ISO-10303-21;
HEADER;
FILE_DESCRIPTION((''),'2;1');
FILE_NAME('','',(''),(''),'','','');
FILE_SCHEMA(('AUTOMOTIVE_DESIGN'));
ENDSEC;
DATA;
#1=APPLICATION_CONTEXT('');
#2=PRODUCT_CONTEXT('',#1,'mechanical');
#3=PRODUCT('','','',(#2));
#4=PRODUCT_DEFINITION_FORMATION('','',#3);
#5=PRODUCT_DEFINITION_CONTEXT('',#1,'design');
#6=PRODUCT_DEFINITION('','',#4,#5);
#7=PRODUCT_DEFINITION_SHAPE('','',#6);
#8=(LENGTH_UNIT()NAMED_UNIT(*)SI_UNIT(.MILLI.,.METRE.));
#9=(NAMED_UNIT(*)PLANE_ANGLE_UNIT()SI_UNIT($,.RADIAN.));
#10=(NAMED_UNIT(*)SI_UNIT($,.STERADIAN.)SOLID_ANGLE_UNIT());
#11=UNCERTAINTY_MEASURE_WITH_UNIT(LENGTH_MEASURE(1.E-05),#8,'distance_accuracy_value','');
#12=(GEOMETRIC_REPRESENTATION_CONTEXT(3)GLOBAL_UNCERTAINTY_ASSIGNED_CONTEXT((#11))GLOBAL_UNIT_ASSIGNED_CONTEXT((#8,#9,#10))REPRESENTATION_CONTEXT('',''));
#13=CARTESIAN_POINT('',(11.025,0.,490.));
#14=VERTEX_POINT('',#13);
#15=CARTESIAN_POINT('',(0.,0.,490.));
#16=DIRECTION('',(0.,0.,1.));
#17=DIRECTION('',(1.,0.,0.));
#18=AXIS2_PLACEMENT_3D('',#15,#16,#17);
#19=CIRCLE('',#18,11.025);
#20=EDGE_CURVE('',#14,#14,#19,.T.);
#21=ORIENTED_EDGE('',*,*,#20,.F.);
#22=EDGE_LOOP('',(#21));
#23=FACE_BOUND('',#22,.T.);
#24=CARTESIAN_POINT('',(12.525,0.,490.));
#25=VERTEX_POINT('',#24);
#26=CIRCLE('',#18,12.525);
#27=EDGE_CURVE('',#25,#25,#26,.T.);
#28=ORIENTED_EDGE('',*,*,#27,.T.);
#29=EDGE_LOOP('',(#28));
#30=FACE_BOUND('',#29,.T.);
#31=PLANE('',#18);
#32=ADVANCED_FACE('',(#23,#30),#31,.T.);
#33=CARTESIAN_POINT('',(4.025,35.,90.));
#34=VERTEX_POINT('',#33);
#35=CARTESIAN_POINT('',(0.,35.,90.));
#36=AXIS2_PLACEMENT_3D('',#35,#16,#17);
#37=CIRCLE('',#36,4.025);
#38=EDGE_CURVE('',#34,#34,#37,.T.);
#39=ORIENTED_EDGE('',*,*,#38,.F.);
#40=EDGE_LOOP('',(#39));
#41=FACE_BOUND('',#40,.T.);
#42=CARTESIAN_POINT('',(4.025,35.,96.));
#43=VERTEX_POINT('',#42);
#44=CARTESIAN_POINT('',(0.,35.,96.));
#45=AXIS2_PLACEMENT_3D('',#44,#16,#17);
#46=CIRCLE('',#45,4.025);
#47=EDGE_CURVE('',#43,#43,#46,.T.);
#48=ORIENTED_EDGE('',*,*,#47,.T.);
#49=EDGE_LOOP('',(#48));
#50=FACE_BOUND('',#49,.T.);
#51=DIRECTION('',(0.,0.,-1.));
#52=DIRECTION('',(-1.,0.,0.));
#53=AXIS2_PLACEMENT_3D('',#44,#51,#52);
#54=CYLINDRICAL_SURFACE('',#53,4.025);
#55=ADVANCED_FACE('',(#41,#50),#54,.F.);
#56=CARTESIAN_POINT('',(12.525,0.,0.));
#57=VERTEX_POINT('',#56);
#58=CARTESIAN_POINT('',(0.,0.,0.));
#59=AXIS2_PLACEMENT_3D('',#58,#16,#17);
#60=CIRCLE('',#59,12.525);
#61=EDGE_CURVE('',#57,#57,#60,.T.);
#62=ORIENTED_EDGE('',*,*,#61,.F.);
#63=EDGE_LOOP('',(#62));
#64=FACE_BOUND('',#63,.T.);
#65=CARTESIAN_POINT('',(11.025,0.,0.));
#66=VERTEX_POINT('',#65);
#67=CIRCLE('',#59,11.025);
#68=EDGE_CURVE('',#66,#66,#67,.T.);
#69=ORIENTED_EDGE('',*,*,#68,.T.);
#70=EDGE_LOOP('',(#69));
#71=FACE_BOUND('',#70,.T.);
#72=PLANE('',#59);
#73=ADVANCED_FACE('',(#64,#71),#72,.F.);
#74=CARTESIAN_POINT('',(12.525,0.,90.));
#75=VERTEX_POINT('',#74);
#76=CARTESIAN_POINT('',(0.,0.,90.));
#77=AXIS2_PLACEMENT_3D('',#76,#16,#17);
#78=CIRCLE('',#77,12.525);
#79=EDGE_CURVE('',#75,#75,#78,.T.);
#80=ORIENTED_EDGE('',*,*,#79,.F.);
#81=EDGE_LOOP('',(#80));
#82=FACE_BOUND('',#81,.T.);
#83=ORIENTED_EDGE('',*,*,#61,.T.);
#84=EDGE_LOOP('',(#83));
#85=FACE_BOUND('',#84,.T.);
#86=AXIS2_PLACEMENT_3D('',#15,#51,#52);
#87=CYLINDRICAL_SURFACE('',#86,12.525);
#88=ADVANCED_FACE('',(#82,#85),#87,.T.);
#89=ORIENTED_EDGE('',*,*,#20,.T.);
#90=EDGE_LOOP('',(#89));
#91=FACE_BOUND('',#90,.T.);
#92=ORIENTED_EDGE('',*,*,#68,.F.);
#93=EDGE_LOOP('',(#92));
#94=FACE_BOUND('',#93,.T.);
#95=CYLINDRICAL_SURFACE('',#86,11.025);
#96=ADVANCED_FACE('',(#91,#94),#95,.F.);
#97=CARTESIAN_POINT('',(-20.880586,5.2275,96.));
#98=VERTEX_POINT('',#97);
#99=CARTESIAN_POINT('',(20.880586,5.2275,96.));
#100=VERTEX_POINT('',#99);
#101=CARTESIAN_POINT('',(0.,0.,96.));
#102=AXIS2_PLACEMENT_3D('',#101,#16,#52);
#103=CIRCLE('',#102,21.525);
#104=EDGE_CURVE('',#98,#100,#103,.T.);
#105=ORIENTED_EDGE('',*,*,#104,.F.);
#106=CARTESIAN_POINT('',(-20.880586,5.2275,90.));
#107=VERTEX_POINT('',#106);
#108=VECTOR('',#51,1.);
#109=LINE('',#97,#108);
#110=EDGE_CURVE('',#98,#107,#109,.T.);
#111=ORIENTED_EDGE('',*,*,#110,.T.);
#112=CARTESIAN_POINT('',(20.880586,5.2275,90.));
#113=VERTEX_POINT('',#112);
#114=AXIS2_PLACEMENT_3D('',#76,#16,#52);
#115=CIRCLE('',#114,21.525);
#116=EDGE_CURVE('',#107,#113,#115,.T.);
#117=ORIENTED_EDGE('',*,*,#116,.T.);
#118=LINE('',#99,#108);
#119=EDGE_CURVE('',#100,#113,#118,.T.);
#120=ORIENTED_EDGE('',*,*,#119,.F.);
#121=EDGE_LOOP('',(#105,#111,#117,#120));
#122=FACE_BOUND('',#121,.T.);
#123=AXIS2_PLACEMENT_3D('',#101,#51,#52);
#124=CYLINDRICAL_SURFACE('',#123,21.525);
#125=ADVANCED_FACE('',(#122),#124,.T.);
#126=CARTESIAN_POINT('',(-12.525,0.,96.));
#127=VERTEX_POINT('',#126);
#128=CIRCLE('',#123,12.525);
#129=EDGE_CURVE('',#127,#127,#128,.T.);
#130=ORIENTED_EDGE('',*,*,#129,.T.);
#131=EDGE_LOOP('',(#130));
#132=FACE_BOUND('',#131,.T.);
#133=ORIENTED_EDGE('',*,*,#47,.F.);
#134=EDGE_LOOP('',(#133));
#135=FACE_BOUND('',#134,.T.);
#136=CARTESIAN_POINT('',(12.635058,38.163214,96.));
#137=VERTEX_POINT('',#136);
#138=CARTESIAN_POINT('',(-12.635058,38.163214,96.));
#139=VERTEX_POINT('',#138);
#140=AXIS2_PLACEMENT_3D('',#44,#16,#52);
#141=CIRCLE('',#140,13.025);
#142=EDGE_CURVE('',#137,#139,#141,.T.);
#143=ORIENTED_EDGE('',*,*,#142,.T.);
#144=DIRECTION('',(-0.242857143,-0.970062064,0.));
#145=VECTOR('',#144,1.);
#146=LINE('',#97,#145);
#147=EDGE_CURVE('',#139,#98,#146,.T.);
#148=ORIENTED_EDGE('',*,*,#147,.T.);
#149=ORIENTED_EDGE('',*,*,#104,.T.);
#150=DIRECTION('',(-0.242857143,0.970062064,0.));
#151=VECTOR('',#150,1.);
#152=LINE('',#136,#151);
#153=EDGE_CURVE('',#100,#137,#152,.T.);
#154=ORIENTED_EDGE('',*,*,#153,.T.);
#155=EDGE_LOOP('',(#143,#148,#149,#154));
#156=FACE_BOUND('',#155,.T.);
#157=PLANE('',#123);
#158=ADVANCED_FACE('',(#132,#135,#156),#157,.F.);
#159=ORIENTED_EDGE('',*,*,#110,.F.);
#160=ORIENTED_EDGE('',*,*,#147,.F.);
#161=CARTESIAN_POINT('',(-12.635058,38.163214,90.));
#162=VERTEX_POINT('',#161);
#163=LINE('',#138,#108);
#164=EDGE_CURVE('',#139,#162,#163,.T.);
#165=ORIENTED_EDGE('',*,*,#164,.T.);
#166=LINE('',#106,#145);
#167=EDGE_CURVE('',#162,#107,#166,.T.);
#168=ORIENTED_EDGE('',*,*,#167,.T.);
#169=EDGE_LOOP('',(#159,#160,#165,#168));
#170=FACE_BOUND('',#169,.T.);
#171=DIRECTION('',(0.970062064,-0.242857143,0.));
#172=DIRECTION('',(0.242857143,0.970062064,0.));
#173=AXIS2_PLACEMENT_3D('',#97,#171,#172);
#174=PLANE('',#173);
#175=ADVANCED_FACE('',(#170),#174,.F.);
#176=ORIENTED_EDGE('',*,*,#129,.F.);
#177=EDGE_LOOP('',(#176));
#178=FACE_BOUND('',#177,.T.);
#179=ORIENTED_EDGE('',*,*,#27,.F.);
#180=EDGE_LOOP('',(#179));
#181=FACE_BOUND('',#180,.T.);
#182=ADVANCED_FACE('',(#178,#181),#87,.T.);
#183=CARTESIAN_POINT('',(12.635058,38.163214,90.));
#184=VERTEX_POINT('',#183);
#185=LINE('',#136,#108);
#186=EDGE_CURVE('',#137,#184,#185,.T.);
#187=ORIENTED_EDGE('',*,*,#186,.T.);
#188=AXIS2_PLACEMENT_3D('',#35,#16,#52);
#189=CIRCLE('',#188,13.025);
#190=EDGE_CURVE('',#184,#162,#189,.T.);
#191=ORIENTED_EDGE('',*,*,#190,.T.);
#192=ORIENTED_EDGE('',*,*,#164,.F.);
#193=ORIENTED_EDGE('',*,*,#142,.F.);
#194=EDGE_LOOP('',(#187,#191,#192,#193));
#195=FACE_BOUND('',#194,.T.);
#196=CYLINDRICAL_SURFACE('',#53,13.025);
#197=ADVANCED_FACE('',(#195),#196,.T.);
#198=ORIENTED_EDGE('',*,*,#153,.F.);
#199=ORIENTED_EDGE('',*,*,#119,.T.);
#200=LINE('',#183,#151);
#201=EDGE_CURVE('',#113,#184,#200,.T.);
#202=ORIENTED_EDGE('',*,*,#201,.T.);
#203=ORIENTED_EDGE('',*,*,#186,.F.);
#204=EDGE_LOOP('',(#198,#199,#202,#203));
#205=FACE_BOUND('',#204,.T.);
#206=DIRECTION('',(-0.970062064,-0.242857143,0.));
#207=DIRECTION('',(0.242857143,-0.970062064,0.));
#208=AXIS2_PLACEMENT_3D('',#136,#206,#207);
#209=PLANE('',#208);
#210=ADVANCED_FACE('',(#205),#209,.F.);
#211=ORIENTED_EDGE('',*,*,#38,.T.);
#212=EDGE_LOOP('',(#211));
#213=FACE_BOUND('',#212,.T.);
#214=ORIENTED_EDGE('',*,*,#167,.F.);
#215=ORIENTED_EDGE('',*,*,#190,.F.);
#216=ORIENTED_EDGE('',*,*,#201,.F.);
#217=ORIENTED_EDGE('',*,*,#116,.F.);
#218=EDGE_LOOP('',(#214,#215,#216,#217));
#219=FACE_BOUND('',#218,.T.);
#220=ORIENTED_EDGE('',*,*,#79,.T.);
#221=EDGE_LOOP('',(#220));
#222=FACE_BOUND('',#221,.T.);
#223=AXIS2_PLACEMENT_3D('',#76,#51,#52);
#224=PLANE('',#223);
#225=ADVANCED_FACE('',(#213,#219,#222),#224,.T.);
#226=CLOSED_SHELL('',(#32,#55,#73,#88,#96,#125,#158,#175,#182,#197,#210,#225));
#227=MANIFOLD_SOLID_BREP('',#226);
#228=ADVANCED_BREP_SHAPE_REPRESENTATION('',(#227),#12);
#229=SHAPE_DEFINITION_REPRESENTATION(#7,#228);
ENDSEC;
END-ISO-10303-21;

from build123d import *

# Parameters (mm, degrees)
SKETCH1_R           = 12.525
SKETCH1_R_2         = 11.025
EXTRUDE_THIN1_DEPTH = 490
BOSS_EXTRUDE2_START = 90
SKETCH1_4_R         = 12.525
SKETCH1_4_R_2       = 4.025
BOSS_EXTRUDE2_DEPTH = 6


with BuildPart() as part:
    # Sketch1 → Extrude-Thin1 (new body)
    with BuildSketch(Plane.XY):
        Circle(SKETCH1_R)
        Circle(SKETCH1_R_2, mode=Mode.SUBTRACT)
    extrude(amount=EXTRUDE_THIN1_DEPTH)

    # Sketch1<4> → Boss-Extrude2 (add)
    with BuildSketch(Plane.XY.offset(BOSS_EXTRUDE2_START)):
        with BuildLine():
            Line((-20.880585929, 5.2275), (-12.635058385, 38.163214286))
            ThreePointArc((-12.635058385, 38.163214286), (0, 48.025), (12.635058385, 38.163214286))
            Line((12.635058385, 38.163214286), (20.880585929, 5.2275))
            ThreePointArc((20.880585929, 5.2275), (0, -21.525), (-20.880585929, 5.2275))
        make_face()
        Circle(SKETCH1_4_R, mode=Mode.SUBTRACT)
        with Locations((0, 35)):
            Circle(SKETCH1_4_R_2, mode=Mode.SUBTRACT)
    extrude(amount=BOSS_EXTRUDE2_DEPTH)


solid = part.part
